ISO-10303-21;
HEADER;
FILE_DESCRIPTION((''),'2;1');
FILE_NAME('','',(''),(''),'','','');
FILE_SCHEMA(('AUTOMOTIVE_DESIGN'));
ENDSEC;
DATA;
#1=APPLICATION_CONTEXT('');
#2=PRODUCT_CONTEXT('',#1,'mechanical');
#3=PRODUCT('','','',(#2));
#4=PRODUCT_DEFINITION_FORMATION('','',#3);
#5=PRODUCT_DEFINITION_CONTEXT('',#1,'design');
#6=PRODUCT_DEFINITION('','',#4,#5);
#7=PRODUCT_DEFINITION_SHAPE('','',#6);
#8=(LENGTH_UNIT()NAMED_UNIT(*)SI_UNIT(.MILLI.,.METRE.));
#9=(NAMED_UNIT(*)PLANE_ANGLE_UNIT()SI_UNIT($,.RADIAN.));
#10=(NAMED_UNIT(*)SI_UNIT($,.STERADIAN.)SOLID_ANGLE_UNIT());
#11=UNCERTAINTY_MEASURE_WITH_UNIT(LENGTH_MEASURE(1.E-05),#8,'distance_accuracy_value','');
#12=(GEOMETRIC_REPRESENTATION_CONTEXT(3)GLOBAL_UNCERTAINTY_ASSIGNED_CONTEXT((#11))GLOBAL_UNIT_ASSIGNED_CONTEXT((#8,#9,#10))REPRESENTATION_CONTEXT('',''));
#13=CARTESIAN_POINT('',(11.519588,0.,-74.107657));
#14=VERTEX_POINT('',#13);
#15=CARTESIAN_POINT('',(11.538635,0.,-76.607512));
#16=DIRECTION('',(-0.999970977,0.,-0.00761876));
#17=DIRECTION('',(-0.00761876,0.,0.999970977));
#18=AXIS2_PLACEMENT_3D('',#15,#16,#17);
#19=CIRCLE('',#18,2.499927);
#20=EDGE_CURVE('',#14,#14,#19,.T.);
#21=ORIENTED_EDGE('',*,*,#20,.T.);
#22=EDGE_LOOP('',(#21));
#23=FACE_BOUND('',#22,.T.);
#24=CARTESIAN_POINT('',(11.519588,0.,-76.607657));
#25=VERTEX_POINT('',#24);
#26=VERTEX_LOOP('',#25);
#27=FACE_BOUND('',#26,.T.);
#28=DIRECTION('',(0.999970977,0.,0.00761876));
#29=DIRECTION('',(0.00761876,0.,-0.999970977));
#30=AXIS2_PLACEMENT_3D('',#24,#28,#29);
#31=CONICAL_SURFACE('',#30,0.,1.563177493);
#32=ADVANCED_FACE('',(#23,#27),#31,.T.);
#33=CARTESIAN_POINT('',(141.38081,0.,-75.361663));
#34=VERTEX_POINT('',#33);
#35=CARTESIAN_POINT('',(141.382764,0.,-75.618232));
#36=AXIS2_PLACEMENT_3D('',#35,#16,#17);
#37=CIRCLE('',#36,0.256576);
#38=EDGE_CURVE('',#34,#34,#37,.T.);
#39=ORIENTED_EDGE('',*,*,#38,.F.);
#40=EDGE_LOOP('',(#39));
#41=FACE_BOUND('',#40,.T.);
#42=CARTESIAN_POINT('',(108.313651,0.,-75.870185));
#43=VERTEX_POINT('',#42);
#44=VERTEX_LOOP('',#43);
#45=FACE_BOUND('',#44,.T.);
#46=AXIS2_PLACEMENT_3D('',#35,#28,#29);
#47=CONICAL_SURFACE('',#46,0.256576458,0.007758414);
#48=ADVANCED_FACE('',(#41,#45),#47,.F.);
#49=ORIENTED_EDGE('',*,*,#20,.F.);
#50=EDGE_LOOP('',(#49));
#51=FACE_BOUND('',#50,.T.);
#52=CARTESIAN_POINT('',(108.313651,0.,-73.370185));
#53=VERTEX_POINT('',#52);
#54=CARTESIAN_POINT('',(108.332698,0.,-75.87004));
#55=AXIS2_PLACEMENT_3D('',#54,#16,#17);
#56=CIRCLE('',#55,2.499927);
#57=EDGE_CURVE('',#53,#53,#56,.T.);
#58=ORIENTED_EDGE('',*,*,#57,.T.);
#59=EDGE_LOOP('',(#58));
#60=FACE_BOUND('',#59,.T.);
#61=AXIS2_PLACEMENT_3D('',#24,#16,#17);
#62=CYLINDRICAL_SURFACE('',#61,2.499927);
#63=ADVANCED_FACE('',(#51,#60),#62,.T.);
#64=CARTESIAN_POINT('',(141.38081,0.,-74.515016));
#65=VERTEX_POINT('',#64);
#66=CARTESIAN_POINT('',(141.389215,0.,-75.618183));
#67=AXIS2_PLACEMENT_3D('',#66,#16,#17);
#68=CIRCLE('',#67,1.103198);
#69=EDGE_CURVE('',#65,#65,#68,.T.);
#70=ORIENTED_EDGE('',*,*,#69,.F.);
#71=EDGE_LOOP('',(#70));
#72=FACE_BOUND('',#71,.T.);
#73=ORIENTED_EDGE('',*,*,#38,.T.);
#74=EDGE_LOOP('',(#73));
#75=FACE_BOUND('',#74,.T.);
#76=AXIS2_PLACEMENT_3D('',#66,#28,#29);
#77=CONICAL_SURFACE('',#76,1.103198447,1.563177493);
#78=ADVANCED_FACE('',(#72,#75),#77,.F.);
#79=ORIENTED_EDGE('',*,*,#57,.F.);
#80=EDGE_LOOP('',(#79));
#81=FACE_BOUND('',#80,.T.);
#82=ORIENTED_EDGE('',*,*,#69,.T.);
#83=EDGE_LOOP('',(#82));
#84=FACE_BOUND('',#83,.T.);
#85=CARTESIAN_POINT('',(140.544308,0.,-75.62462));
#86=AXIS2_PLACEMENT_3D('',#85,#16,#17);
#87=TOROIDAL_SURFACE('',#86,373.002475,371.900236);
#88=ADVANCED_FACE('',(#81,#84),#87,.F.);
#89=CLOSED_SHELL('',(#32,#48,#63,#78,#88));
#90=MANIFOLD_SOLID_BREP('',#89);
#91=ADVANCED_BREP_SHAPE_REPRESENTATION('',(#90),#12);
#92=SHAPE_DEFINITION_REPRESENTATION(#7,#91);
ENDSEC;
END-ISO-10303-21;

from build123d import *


with BuildPart() as part:
    # Sketch2 → Revolve1 (revolve)
    with BuildSketch(Plane(origin=(0, 0, 0), x_dir=(1, 0, 0), z_dir=(0, 1, 0))):
        with BuildLine():
            Line((11.519588192, 76.607656971), (108.313651329, 75.870184816))
            Line((108.313651329, 75.870184816), (141.380809533, 75.361662852))
            Line((141.380809533, 75.361662852), (141.380809533, 74.51501629))
            ThreePointArc((141.380809533, 74.51501629), (124.834492552, 74.310519739), (108.313651329, 73.370184816))
            Line((108.313651329, 73.370184816), (11.519588192, 74.107656971))
            Line((11.519588192, 74.107656971), (11.519588192, 76.607656971))
        make_face()
    revolve(axis=Axis((11.519588192, 0, -76.607656971), (0.999970977, 0, 0.00761876)))


solid = part.part
